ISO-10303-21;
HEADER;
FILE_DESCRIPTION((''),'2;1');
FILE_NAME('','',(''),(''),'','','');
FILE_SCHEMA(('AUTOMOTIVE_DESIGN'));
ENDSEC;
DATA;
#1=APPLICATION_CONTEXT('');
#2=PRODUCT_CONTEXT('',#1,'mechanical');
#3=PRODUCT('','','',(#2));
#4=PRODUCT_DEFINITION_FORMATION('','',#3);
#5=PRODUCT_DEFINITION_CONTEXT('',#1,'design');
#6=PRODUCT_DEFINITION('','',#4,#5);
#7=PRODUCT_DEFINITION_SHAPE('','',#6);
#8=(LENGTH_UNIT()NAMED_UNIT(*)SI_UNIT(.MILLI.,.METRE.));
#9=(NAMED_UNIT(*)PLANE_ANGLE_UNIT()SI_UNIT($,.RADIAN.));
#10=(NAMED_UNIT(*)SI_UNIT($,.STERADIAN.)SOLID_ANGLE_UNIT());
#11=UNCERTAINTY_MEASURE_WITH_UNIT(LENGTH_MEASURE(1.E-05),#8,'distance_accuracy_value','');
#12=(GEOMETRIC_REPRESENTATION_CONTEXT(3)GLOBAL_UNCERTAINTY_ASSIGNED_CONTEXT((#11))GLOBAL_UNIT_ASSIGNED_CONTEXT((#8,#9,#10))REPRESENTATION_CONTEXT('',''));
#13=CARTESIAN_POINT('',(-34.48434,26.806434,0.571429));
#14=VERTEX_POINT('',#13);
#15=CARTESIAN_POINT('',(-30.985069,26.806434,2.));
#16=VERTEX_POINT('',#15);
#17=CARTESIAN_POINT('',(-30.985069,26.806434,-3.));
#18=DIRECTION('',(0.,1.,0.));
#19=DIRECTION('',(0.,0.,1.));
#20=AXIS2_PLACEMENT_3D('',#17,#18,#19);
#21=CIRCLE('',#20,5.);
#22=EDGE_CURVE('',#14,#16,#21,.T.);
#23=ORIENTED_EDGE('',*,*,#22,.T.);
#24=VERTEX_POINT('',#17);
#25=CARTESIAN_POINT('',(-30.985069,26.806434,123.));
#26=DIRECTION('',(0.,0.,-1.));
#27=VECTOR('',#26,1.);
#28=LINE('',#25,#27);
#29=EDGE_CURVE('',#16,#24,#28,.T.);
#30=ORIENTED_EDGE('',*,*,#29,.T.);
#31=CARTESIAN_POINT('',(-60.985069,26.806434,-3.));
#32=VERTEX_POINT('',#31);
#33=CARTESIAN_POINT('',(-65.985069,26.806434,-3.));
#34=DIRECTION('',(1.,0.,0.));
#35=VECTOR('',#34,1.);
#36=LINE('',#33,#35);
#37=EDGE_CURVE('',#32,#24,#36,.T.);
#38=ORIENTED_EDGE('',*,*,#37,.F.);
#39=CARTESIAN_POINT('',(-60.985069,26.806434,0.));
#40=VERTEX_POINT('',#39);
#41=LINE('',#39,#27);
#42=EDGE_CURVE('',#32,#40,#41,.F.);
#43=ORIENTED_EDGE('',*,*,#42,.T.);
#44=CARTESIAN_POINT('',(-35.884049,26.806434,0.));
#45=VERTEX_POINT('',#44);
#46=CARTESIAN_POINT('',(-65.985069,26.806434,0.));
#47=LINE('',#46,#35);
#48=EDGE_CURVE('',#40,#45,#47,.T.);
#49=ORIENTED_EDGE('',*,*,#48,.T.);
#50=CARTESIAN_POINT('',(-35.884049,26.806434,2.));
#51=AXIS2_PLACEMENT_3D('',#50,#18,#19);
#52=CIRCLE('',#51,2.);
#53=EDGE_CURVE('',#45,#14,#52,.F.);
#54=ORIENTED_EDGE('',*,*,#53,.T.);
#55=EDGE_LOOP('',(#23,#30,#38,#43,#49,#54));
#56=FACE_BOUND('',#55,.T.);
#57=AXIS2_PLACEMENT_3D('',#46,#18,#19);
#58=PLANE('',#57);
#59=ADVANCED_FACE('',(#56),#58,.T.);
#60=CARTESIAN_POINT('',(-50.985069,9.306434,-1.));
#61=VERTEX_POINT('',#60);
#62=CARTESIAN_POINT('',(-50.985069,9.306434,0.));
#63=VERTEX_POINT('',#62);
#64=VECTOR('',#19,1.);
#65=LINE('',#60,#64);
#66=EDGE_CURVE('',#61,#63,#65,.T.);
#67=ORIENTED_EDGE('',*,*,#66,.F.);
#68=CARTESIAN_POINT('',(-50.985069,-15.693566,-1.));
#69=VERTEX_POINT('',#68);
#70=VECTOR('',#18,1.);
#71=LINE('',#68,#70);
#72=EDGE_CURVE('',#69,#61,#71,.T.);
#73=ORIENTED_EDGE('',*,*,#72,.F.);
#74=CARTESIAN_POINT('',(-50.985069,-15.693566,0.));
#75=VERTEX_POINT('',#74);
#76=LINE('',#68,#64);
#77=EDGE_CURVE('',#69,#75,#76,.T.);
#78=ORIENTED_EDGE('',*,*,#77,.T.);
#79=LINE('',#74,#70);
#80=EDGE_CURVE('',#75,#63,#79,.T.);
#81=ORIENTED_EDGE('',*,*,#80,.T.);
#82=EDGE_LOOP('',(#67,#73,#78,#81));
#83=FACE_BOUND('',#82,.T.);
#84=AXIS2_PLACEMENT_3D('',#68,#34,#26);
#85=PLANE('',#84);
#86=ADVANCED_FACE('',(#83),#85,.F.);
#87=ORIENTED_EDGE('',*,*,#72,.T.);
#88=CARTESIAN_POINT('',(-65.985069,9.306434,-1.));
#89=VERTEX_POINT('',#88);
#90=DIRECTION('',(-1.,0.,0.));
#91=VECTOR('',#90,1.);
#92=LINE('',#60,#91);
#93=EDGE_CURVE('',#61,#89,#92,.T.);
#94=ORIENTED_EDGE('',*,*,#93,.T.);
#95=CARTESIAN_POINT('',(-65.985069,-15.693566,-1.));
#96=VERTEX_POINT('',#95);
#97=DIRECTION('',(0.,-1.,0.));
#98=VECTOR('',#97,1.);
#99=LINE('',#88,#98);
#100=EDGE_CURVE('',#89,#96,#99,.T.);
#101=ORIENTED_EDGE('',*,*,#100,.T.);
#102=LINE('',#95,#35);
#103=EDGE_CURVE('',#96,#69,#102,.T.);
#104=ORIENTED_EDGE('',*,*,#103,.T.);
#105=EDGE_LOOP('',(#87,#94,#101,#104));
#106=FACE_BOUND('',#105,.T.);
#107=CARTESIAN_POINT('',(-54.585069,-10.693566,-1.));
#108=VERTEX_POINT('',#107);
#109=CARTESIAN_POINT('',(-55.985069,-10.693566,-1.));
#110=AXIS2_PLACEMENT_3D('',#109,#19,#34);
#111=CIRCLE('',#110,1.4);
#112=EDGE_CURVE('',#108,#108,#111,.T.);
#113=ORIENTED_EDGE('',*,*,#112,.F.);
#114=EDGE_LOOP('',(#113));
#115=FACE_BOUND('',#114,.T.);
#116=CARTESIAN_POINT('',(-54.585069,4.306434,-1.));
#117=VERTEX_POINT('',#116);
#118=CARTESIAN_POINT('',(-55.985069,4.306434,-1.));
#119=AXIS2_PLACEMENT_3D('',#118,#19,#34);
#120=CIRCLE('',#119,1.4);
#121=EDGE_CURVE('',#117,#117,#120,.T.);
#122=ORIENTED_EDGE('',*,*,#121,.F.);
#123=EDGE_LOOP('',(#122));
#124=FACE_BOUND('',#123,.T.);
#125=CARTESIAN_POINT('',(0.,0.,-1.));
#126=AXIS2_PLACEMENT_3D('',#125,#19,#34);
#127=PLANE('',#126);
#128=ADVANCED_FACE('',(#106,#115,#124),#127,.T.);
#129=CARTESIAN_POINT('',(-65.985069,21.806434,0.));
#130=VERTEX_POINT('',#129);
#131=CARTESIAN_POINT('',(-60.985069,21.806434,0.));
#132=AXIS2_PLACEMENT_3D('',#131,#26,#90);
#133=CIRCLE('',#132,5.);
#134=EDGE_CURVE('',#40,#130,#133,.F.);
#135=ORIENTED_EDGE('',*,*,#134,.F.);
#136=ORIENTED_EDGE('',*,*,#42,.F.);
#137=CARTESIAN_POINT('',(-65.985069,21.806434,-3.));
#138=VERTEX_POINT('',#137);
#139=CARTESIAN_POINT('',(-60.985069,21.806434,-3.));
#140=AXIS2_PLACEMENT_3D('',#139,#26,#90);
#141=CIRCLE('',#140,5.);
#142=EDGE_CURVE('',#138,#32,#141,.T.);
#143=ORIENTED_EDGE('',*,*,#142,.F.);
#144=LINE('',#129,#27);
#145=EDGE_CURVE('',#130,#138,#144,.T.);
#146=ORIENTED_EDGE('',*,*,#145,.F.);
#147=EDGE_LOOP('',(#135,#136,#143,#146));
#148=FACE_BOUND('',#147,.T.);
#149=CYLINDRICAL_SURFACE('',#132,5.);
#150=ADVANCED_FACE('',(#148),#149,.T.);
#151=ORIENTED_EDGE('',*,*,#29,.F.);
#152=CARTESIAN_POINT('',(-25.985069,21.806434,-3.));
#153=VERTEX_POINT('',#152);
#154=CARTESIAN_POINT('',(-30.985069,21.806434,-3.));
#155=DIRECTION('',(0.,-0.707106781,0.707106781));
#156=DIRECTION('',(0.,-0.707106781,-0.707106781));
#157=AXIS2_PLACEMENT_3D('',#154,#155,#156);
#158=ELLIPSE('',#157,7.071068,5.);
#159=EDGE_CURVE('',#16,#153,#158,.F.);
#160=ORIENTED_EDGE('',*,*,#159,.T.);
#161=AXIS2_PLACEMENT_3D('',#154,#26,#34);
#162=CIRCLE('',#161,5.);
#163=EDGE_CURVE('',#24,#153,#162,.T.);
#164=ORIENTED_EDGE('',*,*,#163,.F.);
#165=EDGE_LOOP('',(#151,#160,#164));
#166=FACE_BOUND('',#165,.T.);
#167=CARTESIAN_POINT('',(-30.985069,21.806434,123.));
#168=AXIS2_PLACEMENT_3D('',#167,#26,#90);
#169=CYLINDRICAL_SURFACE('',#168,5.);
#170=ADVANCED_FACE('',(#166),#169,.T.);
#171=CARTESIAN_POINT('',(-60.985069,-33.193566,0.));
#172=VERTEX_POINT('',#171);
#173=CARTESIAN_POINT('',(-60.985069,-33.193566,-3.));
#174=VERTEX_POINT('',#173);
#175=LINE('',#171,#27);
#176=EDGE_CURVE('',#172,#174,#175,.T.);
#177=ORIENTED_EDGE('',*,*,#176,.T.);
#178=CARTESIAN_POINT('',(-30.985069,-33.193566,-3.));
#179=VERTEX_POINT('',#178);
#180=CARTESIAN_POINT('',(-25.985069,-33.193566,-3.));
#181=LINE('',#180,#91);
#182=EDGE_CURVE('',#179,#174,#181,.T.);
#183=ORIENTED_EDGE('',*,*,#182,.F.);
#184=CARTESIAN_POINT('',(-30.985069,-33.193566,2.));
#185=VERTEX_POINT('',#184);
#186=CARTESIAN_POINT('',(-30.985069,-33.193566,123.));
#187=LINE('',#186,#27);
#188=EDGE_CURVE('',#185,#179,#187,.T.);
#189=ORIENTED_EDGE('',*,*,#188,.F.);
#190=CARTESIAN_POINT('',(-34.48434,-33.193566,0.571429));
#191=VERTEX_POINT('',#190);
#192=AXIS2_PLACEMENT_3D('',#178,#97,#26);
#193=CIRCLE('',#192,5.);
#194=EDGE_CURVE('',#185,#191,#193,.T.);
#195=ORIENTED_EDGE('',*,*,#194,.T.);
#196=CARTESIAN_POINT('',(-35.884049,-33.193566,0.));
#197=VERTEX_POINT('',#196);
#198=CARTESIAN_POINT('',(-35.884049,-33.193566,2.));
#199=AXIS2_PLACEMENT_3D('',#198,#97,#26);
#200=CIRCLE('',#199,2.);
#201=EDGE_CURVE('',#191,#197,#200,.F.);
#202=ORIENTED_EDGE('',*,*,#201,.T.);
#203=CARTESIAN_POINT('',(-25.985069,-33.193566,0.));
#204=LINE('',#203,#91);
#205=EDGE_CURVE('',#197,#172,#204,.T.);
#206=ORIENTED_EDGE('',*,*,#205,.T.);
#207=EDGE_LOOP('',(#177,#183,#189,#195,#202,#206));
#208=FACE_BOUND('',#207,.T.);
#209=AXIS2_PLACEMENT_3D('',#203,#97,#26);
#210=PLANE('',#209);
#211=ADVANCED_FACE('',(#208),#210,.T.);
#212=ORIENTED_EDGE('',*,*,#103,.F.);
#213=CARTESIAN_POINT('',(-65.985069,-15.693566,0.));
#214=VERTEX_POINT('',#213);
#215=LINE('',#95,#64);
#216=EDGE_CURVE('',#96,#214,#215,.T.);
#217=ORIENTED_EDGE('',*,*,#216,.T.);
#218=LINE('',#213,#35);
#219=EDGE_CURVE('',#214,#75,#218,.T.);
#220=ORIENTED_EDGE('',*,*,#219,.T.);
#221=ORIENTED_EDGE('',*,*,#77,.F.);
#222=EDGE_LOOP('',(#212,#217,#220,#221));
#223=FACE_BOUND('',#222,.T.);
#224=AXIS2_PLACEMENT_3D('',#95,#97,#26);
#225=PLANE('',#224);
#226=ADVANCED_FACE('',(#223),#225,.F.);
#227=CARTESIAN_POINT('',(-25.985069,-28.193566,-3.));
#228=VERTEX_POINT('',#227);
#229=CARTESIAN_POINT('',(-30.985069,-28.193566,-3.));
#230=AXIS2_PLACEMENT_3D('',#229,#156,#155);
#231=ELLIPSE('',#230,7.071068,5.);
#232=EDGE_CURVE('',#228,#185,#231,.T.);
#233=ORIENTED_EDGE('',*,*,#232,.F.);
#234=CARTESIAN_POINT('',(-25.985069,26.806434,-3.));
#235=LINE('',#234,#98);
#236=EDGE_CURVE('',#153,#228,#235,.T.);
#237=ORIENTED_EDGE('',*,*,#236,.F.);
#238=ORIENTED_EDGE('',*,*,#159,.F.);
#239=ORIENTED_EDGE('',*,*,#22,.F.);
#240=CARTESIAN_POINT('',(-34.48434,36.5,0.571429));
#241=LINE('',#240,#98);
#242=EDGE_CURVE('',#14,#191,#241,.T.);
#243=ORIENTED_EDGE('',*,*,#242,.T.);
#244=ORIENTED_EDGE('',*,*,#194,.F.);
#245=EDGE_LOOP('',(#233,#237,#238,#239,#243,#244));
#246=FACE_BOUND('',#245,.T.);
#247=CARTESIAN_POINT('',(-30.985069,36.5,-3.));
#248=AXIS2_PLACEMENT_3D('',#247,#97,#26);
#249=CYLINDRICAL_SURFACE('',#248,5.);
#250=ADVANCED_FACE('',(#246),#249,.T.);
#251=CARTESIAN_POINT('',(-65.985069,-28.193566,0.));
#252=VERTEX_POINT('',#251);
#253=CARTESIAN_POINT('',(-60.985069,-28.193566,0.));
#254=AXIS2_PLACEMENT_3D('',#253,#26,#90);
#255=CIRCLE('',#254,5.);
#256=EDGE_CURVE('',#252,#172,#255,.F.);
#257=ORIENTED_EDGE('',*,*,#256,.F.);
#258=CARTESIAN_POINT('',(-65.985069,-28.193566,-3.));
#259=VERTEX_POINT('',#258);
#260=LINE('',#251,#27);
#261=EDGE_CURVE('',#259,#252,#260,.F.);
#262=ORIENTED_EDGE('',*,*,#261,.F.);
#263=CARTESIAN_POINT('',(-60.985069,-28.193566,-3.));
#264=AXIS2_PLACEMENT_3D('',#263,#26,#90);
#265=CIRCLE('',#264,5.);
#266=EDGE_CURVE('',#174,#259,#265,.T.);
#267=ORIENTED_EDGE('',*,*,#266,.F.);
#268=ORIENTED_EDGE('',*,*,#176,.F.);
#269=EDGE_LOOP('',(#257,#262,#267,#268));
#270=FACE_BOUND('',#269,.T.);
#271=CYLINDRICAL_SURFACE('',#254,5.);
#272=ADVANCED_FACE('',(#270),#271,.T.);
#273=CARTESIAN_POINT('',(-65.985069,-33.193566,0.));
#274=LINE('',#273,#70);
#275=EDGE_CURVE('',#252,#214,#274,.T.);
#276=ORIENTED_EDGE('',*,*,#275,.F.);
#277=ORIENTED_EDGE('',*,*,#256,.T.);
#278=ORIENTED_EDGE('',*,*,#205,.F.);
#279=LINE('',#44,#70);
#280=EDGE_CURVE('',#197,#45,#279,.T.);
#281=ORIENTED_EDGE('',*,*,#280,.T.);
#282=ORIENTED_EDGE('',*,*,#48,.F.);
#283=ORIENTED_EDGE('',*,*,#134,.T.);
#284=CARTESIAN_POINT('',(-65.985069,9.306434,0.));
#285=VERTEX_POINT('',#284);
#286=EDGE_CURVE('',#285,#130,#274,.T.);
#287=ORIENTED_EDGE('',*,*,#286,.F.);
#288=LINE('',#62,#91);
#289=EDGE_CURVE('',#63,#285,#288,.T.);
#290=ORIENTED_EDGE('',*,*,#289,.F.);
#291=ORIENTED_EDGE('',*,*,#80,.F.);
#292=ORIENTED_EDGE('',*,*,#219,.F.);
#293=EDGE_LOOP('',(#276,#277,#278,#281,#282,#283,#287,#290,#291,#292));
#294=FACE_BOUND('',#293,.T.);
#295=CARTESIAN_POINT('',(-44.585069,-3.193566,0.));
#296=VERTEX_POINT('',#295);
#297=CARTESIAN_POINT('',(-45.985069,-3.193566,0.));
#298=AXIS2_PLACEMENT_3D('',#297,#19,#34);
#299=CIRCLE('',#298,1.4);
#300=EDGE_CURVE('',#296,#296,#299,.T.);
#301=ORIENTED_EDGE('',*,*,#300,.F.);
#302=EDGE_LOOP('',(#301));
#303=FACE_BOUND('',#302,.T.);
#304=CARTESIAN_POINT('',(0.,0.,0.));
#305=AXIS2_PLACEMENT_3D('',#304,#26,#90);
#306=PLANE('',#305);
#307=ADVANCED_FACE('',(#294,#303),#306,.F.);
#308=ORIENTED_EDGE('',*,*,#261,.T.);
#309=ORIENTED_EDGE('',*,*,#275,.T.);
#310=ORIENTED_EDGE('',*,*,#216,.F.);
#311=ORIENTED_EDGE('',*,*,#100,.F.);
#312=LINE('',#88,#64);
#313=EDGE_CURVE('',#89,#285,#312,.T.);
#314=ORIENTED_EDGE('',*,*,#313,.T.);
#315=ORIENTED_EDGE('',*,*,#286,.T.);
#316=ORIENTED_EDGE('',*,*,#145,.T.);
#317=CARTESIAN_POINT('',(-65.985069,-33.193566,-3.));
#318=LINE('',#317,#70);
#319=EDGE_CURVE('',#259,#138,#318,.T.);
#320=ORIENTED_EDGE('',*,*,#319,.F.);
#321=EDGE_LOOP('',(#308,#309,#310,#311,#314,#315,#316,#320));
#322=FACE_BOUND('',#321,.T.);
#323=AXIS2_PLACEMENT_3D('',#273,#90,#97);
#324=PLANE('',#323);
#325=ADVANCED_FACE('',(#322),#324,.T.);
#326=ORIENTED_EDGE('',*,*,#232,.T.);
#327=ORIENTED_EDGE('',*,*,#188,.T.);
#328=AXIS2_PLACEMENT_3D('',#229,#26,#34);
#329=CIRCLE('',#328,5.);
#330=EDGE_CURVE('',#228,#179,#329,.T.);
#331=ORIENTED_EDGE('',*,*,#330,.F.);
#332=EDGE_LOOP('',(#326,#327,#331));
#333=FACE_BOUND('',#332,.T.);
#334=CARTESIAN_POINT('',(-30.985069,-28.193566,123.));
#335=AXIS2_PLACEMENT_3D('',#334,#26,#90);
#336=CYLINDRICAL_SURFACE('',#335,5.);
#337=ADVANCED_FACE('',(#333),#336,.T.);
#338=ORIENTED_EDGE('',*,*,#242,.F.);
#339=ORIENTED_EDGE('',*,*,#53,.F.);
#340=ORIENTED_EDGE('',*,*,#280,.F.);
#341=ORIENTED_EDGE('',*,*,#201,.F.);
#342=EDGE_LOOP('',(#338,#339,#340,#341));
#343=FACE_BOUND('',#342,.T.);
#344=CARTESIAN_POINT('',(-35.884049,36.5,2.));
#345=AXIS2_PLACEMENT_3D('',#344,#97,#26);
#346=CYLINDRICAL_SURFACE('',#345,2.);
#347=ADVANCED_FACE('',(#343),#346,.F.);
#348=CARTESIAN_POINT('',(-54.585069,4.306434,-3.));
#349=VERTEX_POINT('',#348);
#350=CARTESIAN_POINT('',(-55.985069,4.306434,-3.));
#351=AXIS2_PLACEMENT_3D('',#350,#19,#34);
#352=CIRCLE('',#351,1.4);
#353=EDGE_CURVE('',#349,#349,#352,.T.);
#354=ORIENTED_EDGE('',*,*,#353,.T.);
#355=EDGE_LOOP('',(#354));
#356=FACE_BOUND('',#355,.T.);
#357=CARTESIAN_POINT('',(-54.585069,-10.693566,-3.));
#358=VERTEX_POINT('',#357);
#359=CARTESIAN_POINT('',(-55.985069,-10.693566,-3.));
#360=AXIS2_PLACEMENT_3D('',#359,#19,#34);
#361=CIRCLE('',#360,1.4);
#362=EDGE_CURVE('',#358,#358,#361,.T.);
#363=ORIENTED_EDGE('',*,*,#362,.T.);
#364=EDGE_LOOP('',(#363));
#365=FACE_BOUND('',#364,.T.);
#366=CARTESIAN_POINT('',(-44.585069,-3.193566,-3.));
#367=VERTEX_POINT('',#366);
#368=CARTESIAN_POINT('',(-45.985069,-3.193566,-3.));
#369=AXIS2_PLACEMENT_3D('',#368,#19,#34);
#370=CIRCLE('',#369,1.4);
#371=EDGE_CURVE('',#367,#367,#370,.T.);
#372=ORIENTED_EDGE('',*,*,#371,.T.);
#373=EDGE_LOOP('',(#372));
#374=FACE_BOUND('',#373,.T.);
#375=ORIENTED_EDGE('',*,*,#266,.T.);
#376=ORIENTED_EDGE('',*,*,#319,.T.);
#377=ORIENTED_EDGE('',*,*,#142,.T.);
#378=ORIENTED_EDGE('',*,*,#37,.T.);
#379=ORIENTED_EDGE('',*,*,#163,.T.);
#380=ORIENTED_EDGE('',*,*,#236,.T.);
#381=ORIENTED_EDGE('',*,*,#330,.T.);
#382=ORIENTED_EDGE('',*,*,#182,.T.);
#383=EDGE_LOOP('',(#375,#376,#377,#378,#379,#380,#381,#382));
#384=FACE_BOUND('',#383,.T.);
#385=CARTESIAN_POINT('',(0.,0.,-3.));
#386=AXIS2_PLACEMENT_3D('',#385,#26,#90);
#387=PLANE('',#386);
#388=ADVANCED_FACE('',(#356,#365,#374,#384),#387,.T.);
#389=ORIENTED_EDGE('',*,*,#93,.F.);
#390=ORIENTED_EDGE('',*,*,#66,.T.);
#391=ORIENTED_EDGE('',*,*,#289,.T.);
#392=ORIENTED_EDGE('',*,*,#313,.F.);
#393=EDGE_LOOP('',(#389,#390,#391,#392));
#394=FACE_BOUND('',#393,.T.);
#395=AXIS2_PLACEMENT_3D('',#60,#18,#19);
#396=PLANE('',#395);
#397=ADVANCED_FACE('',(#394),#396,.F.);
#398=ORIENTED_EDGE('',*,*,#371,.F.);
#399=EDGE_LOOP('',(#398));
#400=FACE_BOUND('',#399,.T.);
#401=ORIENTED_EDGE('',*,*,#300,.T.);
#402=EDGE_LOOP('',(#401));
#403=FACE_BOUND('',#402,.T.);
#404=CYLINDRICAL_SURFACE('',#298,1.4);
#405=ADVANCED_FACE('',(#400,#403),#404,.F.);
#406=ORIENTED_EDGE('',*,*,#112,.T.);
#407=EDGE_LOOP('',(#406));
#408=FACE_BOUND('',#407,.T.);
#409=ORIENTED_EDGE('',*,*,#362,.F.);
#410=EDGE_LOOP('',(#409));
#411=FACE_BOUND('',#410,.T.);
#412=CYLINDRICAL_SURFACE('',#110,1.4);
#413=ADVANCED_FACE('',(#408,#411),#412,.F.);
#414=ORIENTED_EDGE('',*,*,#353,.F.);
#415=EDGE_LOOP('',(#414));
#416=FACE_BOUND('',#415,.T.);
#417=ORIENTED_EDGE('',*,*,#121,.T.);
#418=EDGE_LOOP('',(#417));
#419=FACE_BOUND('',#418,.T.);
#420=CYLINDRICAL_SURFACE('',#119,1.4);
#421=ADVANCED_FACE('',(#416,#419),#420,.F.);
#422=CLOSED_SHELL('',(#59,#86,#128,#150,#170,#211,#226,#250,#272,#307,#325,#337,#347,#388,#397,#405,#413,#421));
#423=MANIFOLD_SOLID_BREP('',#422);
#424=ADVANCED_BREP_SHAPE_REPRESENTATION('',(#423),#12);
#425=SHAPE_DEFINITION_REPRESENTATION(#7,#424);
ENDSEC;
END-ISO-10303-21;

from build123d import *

# Parameters (mm, degrees)
SKETCH1_W                  = 40
SKETCH1_H                  = 60
BOSS_EXTRUDE1_DEPTH        = 3
SKETCH2_W                  = 15
SKETCH2_H                  = 25
CUT_EXTRUDE1_DEPTH         = 1
F_2_8_2_8_DIAMETER_HOLE1_D = 2.8
F_2_8_2_8_DIAMETER_HOLE2_D = 2.8
FILLET1_R                  = 5
BOSS_EXTRUDE2_DEPTH        = 36.5
CUT_EXTRUDE3_DEPTH         = 126
CUT_EXTRUDE4_START         = -126
SKETCH11_W                 = 58.073467033
SKETCH11_H                 = 92.384025597
CUT_EXTRUDE4_DEPTH         = 126
FILLET2_R                  = 2


with BuildPart() as part:
    # Sketch1 → Boss-Extrude1 (new body)
    with BuildSketch(Plane(origin=(0, 0, -3), x_dir=(-1, 0, 0), z_dir=(0, 0, -1))):
        with Locations((45.9850693, -3.193565597)):
            Rectangle(SKETCH1_W, SKETCH1_H)
    extrude(amount=-BOSS_EXTRUDE1_DEPTH)

    # Sketch2 → Cut-Extrude1 (cut)
    with BuildSketch(Plane.XY):
        with Locations((-58.4850693, -3.193565597)):
            Rectangle(SKETCH2_W, SKETCH2_H)
    extrude(amount=-CUT_EXTRUDE1_DEPTH, mode=Mode.SUBTRACT)

    # 2.8 _2.8_ Diameter Hole1 (through all)
    with Locations(Plane.XY):
        with Locations((-45.9850693, -3.193565597)):
            Hole(F_2_8_2_8_DIAMETER_HOLE1_D / 2)

    # 2.8 _2.8_ Diameter Hole2 (through all)
    with Locations(Plane.XY.offset(-1)):
        with Locations((-55.9850693, 4.306434403), (-55.9850693, -10.693565597)):
            Hole(F_2_8_2_8_DIAMETER_HOLE2_D / 2)

    # Fillet1
    fillet1_edges = [part.edges().sort_by_distance(p)[0] for p in [
        (-65.9850693, -33.193565597, -1.5),
        (-25.9850693, -33.193565597, -1.5),
        (-25.9850693, 26.806434403, -1.5),
        (-65.9850693, 26.806434403, -1.5),
    ]]
    fillet(fillet1_edges, radius=FILLET1_R)

    # Sketch8 → Boss-Extrude2 (add, symmetric)
    with BuildSketch(Plane(origin=(0, 0, 0), x_dir=(1, 0, 0), z_dir=(0, 1, 0))):
        with BuildLine():
            Line((-35.9850693, 3), (-25.9850693, 3))
            ThreePointArc((-25.9850693, 3), (-30.9850693, -2), (-35.9850693, 3))
        make_face()
    extrude(amount=BOSS_EXTRUDE2_DEPTH, both=True)

    # Sketch10 → Cut-Extrude3 (cut)
    with BuildSketch(Plane(origin=(0, 26.806434403, 0), x_dir=(1, 0, 0), z_dir=(0, 1, 0))):
        with BuildLine():
            Line((-26.9850693, 0), (-25.9850693, 0))
            Line((-25.9850693, 0), (-25.9850693, 3))
            ThreePointArc((-25.9850693, 3), (-26.24165281, 1.41886117), (-26.9850693, 0))
        make_face()
    extrude(amount=-CUT_EXTRUDE3_DEPTH, mode=Mode.SUBTRACT)

    # Sketch11 → Cut-Extrude4 (cut)
    with BuildSketch(Plane(origin=(0, 0, -3), x_dir=(-1, 0, 0), z_dir=(0, 0, -1)).offset(CUT_EXTRUDE4_START)):
        with Locations((44.104932563, -0.297791146)):
            Rectangle(SKETCH11_W, SKETCH11_H)
        with BuildLine():
            Line((35.9850693, -33.193565597), (60.9850693, -33.193565597))
            ThreePointArc((60.9850693, -33.193565597), (64.520603206, -31.729099503), (65.9850693, -28.193565597))
            Line((65.9850693, -28.193565597), (65.9850693, 21.806434403))
            ThreePointArc((65.9850693, 21.806434403), (64.520603206, 25.341968309), (60.9850693, 26.806434403))
            Line((60.9850693, 26.806434403), (35.9850693, 26.806434403))
            Line((35.9850693, 26.806434403), (30.9850693, 26.806434403))
            ThreePointArc((30.9850693, 26.806434403), (27.449535394, 25.341968309), (25.9850693, 21.806434403))
            Line((25.9850693, 21.806434403), (25.9850693, -28.193565597))
            ThreePointArc((25.9850693, -28.193565597), (27.449535394, -31.729099503), (30.9850693, -33.193565597))
            Line((30.9850693, -33.193565597), (35.9850693, -33.193565597))
        make_face(mode=Mode.SUBTRACT)
    extrude(amount=CUT_EXTRUDE4_DEPTH, mode=Mode.SUBTRACT)

    # Fillet2
    fillet2_edges = [part.edges().sort_by_distance(p)[0] for p in [
        (-34.9850693, -3.193565597, 0),
    ]]
    fillet(fillet2_edges, radius=FILLET2_R)


solid = part.part
